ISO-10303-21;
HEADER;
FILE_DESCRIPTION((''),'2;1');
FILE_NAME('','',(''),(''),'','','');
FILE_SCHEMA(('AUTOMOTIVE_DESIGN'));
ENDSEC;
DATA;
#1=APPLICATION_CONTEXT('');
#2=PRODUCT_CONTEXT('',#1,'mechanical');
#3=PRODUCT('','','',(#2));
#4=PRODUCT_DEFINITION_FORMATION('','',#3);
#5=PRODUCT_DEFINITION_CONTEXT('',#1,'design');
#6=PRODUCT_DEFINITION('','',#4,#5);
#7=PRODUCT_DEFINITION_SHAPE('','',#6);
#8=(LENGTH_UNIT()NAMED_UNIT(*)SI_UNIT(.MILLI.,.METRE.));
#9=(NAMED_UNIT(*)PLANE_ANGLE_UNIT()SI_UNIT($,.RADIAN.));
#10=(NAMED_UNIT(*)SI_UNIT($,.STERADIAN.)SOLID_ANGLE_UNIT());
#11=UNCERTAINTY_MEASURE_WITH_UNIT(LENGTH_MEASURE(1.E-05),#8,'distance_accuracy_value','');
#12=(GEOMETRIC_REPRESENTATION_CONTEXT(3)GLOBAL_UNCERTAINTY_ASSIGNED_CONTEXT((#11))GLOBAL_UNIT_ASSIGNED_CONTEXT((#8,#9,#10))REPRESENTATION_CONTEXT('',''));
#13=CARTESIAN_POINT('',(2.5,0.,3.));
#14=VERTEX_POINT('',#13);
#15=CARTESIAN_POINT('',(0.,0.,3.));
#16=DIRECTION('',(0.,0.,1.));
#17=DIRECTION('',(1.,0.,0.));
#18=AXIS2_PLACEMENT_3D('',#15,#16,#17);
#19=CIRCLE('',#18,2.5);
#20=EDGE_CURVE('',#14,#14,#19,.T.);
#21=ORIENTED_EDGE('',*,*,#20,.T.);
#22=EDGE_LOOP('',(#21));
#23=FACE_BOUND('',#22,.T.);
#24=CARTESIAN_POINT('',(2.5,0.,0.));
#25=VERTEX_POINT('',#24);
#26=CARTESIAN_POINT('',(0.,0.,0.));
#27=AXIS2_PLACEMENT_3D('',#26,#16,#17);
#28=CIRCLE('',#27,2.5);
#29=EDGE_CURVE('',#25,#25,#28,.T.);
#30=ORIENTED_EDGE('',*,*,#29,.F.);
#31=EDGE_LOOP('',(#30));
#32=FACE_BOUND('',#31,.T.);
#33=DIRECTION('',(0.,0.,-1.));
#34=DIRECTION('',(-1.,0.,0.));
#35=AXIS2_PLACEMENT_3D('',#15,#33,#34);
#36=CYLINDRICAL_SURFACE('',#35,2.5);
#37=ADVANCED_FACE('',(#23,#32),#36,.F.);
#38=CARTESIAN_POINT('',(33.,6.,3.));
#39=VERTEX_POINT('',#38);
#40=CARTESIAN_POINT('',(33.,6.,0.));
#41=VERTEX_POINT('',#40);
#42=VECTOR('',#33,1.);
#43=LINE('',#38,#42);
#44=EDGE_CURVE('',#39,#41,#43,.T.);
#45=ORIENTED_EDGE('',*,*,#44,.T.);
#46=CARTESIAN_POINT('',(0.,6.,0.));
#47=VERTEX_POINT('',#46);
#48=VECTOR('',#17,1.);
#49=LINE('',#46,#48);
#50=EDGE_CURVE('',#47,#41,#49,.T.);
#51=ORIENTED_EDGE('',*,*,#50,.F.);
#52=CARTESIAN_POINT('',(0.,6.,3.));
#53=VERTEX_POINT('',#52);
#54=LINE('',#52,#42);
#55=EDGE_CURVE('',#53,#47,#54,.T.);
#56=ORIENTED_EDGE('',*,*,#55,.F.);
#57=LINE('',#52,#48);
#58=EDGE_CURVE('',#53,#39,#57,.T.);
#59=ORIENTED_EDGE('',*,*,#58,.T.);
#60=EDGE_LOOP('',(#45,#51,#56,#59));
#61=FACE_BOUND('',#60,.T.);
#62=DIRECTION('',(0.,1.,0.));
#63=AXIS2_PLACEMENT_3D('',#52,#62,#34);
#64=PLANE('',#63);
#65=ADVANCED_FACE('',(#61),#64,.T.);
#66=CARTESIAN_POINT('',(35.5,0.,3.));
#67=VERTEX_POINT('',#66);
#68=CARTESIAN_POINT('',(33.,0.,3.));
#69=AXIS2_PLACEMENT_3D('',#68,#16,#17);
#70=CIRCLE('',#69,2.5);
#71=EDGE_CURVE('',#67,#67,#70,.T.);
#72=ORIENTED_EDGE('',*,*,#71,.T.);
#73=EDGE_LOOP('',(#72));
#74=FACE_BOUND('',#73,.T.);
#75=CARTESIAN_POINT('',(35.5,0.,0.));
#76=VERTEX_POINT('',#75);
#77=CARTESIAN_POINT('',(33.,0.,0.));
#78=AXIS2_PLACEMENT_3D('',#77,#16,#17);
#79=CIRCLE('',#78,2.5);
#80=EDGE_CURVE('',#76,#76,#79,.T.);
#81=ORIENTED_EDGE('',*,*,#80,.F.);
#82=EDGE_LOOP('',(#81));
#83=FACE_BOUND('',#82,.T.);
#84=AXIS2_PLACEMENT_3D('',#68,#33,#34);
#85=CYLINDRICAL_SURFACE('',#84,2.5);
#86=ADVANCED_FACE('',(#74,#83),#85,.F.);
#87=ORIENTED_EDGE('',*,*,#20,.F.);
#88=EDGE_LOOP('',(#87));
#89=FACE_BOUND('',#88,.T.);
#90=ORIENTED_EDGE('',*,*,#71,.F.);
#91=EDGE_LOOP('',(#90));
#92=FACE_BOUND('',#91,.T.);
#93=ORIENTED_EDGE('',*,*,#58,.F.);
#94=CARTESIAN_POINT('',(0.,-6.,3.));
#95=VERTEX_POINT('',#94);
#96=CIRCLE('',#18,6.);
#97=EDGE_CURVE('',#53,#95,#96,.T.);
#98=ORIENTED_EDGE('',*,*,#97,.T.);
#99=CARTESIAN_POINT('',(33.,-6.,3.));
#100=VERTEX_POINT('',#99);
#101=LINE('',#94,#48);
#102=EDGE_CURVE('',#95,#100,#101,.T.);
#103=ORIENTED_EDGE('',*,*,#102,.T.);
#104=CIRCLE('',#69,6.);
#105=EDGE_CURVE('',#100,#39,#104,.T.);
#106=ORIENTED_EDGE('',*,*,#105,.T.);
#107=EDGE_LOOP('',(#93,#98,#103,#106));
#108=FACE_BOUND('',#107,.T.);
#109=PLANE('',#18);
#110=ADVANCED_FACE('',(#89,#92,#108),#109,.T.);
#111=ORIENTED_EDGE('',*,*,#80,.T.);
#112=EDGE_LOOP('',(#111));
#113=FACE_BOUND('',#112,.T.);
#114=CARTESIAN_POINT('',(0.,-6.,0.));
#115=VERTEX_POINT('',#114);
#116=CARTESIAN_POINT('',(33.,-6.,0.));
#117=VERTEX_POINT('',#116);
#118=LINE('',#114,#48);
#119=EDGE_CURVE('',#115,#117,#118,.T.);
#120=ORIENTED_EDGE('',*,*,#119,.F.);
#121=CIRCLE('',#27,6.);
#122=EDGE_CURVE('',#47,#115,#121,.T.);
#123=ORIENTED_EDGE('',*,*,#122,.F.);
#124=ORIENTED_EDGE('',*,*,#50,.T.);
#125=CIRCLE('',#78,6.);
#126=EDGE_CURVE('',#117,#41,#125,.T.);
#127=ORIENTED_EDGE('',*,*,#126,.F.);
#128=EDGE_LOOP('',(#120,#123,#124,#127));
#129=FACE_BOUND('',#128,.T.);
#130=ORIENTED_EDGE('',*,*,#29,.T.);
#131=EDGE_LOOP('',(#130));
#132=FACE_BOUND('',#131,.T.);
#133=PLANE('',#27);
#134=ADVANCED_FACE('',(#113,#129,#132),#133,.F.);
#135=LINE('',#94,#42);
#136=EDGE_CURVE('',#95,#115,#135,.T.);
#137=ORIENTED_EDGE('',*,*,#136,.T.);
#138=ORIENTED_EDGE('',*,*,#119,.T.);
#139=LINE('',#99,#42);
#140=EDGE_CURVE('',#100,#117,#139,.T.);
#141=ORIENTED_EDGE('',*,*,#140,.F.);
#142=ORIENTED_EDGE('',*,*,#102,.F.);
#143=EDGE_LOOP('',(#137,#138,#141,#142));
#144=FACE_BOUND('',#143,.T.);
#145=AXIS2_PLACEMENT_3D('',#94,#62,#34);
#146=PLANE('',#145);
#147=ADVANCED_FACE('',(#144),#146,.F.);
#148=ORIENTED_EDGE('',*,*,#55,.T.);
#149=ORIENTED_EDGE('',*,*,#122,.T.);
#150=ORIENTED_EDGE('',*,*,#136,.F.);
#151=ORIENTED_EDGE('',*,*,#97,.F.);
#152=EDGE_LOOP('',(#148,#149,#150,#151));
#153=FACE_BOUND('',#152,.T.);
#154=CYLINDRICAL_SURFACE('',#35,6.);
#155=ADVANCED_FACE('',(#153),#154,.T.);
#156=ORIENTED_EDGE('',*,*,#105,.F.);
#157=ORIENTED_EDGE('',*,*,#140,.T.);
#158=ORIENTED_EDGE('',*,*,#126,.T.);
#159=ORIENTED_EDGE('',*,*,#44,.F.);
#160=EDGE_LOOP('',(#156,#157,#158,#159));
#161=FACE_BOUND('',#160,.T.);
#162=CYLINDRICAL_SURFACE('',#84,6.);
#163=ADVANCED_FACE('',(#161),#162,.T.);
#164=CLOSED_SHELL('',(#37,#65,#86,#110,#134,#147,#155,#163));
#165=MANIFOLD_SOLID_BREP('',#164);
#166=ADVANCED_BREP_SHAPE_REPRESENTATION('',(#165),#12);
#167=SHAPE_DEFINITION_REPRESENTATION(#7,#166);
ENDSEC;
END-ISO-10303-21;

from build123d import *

# Parameters (mm, degrees)
EXTRUDE_1_DEPTH = 3


with BuildPart() as part:
    # 草图1 → 凸台-拉伸1 (new body)
    with BuildSketch(Plane.XY):
        with BuildLine():
            ThreePointArc((0, 6), (4.242640687, 4.242640687), (6, 0))
            Line((6, 0), (27, 0))
            ThreePointArc((27, 0), (28.757359313, 4.242640687), (33, 6))
            Line((33, 6), (0, 6))
        make_face()
        with BuildLine():
            Line((27, 0), (6, 0))
            ThreePointArc((6, 0), (4.242640687, -4.242640687), (0, -6))
            Line((0, -6), (33, -6))
            ThreePointArc((33, -6), (28.757359313, -4.242640687), (27, 0))
        make_face()
        with BuildLine():
            ThreePointArc((-2.5, 0), (0, 2.5), (2.5, 0))
            Line((2.5, 0), (6, 0))
            ThreePointArc((6, 0), (4.242640687, 4.242640687), (0, 6))
            ThreePointArc((0, 6), (-4.242640687, 4.242640687), (-6, 0))
            Line((-6, 0), (-2.5, 0))
        make_face()
        with BuildLine():
            Line((6, 0), (2.5, 0))
            ThreePointArc((2.5, 0), (0, -2.5), (-2.5, 0))
            Line((-2.5, 0), (-6, 0))
            ThreePointArc((-6, 0), (-4.242640687, -4.242640687), (0, -6))
            ThreePointArc((0, -6), (4.242640687, -4.242640687), (6, 0))
        make_face()
        with BuildLine():
            ThreePointArc((33, 6), (28.757359313, 4.242640687), (27, 0))
            Line((27, 0), (30.5, 0))
            ThreePointArc((30.5, 0), (33, 2.5), (35.5, 0))
            Line((35.5, 0), (39, 0))
            ThreePointArc((39, 0), (37.242640687, 4.242640687), (33, 6))
        make_face()
        with BuildLine():
            Line((30.5, 0), (27, 0))
            ThreePointArc((27, 0), (28.757359313, -4.242640687), (33, -6))
            ThreePointArc((33, -6), (37.242640687, -4.242640687), (39, 0))
            Line((39, 0), (35.5, 0))
            ThreePointArc((35.5, 0), (33, -2.5), (30.5, 0))
        make_face()
    extrude(amount=EXTRUDE_1_DEPTH)


solid = part.part
